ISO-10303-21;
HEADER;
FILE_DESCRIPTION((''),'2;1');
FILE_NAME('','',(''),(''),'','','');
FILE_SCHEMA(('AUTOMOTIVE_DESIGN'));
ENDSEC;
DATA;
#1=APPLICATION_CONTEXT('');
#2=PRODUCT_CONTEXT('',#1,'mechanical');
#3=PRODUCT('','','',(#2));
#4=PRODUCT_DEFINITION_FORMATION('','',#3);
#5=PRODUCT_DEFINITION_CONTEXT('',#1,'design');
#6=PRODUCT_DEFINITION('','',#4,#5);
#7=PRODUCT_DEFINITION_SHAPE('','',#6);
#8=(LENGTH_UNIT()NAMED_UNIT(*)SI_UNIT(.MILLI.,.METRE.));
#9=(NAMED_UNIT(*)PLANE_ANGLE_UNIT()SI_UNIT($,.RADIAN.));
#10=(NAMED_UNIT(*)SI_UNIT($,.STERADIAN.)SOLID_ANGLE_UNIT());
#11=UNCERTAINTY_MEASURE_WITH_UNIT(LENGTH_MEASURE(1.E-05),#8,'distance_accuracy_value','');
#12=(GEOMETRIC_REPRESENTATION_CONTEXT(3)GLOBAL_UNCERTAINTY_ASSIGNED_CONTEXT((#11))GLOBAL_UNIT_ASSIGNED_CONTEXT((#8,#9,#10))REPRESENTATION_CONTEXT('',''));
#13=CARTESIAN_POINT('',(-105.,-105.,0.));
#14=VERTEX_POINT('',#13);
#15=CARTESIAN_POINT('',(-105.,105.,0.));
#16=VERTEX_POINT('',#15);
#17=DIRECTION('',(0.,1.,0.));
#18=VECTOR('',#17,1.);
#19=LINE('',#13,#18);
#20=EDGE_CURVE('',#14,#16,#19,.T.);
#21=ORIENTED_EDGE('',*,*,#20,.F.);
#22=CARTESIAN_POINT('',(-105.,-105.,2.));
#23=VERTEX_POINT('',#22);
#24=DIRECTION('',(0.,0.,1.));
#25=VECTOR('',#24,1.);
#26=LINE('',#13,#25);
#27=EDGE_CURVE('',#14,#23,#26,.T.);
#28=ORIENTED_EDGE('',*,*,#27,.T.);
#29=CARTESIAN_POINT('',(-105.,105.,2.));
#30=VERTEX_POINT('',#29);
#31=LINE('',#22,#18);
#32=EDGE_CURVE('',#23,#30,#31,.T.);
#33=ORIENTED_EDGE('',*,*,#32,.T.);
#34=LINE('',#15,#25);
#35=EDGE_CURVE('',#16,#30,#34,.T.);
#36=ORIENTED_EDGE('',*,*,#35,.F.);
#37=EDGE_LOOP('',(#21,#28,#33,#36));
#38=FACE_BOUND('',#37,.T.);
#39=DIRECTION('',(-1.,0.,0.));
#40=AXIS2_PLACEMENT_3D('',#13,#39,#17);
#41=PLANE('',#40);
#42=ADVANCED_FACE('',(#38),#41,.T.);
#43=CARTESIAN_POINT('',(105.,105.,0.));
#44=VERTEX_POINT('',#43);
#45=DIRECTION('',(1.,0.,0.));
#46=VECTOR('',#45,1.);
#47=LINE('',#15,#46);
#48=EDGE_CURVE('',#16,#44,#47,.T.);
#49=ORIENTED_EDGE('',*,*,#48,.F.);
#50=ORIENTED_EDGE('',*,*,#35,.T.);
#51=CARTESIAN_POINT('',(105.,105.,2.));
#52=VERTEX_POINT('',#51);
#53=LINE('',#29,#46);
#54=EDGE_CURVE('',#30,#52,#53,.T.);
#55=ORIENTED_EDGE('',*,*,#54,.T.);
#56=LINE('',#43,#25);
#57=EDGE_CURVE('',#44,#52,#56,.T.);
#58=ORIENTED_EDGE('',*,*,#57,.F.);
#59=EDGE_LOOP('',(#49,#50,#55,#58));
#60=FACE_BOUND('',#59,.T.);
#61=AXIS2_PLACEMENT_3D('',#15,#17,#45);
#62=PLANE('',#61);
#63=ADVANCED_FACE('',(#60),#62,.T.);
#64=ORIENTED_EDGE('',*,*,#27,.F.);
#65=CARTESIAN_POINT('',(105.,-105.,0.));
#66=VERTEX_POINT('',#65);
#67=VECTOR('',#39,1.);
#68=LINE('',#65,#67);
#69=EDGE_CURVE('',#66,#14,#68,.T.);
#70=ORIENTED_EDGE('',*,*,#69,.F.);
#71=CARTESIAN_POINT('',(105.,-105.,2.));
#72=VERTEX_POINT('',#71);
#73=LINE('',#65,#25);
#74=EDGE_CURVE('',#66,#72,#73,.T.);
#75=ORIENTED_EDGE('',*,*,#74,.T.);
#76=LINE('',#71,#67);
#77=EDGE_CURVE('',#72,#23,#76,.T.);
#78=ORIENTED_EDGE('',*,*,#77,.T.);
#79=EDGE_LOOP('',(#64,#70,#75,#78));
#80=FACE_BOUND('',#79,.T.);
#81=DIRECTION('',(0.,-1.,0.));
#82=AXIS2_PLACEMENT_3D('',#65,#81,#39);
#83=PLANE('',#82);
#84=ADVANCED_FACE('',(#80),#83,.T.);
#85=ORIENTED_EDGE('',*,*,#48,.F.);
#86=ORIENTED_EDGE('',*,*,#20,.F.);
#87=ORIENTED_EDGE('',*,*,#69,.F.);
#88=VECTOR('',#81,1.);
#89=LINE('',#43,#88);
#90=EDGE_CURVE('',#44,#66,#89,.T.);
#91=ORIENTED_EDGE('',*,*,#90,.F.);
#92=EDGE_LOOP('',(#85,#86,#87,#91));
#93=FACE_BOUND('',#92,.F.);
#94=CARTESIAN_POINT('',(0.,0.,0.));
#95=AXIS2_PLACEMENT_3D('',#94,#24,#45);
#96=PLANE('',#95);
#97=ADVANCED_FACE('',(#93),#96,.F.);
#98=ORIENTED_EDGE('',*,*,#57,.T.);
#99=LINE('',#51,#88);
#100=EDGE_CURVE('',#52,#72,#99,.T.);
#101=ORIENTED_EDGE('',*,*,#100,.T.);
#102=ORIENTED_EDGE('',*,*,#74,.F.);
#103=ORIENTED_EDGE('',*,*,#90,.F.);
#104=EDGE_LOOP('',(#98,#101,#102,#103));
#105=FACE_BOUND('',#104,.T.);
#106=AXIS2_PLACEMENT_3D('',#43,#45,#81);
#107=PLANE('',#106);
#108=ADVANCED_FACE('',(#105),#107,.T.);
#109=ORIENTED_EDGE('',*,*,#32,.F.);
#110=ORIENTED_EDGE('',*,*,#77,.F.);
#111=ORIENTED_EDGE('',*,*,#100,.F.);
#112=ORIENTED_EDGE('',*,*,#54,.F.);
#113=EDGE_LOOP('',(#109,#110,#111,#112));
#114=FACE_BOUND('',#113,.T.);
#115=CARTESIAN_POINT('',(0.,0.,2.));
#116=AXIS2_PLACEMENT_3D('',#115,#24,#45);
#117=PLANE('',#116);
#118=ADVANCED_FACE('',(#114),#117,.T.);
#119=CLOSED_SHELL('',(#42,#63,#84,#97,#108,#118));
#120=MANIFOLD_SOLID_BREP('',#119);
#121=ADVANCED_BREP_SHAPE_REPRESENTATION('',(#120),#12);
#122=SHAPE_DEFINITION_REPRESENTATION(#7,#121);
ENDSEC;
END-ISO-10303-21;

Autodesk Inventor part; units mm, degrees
ref_plane "YZ Plane" through (0, 0, 0) normal (1, 0, 0) x (0, 1, 0)
ref_plane "XZ Plane" through (0, 0, 0) normal (0, 1, 0) x (-1, 0, 0)
ref_plane "XY Plane" through (0, 0, 0) normal (0, 0, 1) x (1, 0, 0)
sketch "Sketch2" plane through (0, 0, 0) normal (0, 0, 1) x (1, 0, 0)
  line L0 (-105, 105) -> (105, 105)
  line L1 (105, 105) -> (105, -105)
  line L2 (105, -105) -> (-105, -105)
  line L3 (-105, -105) -> (-105, 105)
  line L4 (-105, 105) -> (105, -105) construction
  line L5 (105, 105) -> (-105, -105) construction
  point P0 (0, 0)
  dimension "d11" = 210
extrude "Extrusion2" add sketch "Sketch2" along normal blind 2
properties part number "M10 - Base Rubber" material "Rubber"
